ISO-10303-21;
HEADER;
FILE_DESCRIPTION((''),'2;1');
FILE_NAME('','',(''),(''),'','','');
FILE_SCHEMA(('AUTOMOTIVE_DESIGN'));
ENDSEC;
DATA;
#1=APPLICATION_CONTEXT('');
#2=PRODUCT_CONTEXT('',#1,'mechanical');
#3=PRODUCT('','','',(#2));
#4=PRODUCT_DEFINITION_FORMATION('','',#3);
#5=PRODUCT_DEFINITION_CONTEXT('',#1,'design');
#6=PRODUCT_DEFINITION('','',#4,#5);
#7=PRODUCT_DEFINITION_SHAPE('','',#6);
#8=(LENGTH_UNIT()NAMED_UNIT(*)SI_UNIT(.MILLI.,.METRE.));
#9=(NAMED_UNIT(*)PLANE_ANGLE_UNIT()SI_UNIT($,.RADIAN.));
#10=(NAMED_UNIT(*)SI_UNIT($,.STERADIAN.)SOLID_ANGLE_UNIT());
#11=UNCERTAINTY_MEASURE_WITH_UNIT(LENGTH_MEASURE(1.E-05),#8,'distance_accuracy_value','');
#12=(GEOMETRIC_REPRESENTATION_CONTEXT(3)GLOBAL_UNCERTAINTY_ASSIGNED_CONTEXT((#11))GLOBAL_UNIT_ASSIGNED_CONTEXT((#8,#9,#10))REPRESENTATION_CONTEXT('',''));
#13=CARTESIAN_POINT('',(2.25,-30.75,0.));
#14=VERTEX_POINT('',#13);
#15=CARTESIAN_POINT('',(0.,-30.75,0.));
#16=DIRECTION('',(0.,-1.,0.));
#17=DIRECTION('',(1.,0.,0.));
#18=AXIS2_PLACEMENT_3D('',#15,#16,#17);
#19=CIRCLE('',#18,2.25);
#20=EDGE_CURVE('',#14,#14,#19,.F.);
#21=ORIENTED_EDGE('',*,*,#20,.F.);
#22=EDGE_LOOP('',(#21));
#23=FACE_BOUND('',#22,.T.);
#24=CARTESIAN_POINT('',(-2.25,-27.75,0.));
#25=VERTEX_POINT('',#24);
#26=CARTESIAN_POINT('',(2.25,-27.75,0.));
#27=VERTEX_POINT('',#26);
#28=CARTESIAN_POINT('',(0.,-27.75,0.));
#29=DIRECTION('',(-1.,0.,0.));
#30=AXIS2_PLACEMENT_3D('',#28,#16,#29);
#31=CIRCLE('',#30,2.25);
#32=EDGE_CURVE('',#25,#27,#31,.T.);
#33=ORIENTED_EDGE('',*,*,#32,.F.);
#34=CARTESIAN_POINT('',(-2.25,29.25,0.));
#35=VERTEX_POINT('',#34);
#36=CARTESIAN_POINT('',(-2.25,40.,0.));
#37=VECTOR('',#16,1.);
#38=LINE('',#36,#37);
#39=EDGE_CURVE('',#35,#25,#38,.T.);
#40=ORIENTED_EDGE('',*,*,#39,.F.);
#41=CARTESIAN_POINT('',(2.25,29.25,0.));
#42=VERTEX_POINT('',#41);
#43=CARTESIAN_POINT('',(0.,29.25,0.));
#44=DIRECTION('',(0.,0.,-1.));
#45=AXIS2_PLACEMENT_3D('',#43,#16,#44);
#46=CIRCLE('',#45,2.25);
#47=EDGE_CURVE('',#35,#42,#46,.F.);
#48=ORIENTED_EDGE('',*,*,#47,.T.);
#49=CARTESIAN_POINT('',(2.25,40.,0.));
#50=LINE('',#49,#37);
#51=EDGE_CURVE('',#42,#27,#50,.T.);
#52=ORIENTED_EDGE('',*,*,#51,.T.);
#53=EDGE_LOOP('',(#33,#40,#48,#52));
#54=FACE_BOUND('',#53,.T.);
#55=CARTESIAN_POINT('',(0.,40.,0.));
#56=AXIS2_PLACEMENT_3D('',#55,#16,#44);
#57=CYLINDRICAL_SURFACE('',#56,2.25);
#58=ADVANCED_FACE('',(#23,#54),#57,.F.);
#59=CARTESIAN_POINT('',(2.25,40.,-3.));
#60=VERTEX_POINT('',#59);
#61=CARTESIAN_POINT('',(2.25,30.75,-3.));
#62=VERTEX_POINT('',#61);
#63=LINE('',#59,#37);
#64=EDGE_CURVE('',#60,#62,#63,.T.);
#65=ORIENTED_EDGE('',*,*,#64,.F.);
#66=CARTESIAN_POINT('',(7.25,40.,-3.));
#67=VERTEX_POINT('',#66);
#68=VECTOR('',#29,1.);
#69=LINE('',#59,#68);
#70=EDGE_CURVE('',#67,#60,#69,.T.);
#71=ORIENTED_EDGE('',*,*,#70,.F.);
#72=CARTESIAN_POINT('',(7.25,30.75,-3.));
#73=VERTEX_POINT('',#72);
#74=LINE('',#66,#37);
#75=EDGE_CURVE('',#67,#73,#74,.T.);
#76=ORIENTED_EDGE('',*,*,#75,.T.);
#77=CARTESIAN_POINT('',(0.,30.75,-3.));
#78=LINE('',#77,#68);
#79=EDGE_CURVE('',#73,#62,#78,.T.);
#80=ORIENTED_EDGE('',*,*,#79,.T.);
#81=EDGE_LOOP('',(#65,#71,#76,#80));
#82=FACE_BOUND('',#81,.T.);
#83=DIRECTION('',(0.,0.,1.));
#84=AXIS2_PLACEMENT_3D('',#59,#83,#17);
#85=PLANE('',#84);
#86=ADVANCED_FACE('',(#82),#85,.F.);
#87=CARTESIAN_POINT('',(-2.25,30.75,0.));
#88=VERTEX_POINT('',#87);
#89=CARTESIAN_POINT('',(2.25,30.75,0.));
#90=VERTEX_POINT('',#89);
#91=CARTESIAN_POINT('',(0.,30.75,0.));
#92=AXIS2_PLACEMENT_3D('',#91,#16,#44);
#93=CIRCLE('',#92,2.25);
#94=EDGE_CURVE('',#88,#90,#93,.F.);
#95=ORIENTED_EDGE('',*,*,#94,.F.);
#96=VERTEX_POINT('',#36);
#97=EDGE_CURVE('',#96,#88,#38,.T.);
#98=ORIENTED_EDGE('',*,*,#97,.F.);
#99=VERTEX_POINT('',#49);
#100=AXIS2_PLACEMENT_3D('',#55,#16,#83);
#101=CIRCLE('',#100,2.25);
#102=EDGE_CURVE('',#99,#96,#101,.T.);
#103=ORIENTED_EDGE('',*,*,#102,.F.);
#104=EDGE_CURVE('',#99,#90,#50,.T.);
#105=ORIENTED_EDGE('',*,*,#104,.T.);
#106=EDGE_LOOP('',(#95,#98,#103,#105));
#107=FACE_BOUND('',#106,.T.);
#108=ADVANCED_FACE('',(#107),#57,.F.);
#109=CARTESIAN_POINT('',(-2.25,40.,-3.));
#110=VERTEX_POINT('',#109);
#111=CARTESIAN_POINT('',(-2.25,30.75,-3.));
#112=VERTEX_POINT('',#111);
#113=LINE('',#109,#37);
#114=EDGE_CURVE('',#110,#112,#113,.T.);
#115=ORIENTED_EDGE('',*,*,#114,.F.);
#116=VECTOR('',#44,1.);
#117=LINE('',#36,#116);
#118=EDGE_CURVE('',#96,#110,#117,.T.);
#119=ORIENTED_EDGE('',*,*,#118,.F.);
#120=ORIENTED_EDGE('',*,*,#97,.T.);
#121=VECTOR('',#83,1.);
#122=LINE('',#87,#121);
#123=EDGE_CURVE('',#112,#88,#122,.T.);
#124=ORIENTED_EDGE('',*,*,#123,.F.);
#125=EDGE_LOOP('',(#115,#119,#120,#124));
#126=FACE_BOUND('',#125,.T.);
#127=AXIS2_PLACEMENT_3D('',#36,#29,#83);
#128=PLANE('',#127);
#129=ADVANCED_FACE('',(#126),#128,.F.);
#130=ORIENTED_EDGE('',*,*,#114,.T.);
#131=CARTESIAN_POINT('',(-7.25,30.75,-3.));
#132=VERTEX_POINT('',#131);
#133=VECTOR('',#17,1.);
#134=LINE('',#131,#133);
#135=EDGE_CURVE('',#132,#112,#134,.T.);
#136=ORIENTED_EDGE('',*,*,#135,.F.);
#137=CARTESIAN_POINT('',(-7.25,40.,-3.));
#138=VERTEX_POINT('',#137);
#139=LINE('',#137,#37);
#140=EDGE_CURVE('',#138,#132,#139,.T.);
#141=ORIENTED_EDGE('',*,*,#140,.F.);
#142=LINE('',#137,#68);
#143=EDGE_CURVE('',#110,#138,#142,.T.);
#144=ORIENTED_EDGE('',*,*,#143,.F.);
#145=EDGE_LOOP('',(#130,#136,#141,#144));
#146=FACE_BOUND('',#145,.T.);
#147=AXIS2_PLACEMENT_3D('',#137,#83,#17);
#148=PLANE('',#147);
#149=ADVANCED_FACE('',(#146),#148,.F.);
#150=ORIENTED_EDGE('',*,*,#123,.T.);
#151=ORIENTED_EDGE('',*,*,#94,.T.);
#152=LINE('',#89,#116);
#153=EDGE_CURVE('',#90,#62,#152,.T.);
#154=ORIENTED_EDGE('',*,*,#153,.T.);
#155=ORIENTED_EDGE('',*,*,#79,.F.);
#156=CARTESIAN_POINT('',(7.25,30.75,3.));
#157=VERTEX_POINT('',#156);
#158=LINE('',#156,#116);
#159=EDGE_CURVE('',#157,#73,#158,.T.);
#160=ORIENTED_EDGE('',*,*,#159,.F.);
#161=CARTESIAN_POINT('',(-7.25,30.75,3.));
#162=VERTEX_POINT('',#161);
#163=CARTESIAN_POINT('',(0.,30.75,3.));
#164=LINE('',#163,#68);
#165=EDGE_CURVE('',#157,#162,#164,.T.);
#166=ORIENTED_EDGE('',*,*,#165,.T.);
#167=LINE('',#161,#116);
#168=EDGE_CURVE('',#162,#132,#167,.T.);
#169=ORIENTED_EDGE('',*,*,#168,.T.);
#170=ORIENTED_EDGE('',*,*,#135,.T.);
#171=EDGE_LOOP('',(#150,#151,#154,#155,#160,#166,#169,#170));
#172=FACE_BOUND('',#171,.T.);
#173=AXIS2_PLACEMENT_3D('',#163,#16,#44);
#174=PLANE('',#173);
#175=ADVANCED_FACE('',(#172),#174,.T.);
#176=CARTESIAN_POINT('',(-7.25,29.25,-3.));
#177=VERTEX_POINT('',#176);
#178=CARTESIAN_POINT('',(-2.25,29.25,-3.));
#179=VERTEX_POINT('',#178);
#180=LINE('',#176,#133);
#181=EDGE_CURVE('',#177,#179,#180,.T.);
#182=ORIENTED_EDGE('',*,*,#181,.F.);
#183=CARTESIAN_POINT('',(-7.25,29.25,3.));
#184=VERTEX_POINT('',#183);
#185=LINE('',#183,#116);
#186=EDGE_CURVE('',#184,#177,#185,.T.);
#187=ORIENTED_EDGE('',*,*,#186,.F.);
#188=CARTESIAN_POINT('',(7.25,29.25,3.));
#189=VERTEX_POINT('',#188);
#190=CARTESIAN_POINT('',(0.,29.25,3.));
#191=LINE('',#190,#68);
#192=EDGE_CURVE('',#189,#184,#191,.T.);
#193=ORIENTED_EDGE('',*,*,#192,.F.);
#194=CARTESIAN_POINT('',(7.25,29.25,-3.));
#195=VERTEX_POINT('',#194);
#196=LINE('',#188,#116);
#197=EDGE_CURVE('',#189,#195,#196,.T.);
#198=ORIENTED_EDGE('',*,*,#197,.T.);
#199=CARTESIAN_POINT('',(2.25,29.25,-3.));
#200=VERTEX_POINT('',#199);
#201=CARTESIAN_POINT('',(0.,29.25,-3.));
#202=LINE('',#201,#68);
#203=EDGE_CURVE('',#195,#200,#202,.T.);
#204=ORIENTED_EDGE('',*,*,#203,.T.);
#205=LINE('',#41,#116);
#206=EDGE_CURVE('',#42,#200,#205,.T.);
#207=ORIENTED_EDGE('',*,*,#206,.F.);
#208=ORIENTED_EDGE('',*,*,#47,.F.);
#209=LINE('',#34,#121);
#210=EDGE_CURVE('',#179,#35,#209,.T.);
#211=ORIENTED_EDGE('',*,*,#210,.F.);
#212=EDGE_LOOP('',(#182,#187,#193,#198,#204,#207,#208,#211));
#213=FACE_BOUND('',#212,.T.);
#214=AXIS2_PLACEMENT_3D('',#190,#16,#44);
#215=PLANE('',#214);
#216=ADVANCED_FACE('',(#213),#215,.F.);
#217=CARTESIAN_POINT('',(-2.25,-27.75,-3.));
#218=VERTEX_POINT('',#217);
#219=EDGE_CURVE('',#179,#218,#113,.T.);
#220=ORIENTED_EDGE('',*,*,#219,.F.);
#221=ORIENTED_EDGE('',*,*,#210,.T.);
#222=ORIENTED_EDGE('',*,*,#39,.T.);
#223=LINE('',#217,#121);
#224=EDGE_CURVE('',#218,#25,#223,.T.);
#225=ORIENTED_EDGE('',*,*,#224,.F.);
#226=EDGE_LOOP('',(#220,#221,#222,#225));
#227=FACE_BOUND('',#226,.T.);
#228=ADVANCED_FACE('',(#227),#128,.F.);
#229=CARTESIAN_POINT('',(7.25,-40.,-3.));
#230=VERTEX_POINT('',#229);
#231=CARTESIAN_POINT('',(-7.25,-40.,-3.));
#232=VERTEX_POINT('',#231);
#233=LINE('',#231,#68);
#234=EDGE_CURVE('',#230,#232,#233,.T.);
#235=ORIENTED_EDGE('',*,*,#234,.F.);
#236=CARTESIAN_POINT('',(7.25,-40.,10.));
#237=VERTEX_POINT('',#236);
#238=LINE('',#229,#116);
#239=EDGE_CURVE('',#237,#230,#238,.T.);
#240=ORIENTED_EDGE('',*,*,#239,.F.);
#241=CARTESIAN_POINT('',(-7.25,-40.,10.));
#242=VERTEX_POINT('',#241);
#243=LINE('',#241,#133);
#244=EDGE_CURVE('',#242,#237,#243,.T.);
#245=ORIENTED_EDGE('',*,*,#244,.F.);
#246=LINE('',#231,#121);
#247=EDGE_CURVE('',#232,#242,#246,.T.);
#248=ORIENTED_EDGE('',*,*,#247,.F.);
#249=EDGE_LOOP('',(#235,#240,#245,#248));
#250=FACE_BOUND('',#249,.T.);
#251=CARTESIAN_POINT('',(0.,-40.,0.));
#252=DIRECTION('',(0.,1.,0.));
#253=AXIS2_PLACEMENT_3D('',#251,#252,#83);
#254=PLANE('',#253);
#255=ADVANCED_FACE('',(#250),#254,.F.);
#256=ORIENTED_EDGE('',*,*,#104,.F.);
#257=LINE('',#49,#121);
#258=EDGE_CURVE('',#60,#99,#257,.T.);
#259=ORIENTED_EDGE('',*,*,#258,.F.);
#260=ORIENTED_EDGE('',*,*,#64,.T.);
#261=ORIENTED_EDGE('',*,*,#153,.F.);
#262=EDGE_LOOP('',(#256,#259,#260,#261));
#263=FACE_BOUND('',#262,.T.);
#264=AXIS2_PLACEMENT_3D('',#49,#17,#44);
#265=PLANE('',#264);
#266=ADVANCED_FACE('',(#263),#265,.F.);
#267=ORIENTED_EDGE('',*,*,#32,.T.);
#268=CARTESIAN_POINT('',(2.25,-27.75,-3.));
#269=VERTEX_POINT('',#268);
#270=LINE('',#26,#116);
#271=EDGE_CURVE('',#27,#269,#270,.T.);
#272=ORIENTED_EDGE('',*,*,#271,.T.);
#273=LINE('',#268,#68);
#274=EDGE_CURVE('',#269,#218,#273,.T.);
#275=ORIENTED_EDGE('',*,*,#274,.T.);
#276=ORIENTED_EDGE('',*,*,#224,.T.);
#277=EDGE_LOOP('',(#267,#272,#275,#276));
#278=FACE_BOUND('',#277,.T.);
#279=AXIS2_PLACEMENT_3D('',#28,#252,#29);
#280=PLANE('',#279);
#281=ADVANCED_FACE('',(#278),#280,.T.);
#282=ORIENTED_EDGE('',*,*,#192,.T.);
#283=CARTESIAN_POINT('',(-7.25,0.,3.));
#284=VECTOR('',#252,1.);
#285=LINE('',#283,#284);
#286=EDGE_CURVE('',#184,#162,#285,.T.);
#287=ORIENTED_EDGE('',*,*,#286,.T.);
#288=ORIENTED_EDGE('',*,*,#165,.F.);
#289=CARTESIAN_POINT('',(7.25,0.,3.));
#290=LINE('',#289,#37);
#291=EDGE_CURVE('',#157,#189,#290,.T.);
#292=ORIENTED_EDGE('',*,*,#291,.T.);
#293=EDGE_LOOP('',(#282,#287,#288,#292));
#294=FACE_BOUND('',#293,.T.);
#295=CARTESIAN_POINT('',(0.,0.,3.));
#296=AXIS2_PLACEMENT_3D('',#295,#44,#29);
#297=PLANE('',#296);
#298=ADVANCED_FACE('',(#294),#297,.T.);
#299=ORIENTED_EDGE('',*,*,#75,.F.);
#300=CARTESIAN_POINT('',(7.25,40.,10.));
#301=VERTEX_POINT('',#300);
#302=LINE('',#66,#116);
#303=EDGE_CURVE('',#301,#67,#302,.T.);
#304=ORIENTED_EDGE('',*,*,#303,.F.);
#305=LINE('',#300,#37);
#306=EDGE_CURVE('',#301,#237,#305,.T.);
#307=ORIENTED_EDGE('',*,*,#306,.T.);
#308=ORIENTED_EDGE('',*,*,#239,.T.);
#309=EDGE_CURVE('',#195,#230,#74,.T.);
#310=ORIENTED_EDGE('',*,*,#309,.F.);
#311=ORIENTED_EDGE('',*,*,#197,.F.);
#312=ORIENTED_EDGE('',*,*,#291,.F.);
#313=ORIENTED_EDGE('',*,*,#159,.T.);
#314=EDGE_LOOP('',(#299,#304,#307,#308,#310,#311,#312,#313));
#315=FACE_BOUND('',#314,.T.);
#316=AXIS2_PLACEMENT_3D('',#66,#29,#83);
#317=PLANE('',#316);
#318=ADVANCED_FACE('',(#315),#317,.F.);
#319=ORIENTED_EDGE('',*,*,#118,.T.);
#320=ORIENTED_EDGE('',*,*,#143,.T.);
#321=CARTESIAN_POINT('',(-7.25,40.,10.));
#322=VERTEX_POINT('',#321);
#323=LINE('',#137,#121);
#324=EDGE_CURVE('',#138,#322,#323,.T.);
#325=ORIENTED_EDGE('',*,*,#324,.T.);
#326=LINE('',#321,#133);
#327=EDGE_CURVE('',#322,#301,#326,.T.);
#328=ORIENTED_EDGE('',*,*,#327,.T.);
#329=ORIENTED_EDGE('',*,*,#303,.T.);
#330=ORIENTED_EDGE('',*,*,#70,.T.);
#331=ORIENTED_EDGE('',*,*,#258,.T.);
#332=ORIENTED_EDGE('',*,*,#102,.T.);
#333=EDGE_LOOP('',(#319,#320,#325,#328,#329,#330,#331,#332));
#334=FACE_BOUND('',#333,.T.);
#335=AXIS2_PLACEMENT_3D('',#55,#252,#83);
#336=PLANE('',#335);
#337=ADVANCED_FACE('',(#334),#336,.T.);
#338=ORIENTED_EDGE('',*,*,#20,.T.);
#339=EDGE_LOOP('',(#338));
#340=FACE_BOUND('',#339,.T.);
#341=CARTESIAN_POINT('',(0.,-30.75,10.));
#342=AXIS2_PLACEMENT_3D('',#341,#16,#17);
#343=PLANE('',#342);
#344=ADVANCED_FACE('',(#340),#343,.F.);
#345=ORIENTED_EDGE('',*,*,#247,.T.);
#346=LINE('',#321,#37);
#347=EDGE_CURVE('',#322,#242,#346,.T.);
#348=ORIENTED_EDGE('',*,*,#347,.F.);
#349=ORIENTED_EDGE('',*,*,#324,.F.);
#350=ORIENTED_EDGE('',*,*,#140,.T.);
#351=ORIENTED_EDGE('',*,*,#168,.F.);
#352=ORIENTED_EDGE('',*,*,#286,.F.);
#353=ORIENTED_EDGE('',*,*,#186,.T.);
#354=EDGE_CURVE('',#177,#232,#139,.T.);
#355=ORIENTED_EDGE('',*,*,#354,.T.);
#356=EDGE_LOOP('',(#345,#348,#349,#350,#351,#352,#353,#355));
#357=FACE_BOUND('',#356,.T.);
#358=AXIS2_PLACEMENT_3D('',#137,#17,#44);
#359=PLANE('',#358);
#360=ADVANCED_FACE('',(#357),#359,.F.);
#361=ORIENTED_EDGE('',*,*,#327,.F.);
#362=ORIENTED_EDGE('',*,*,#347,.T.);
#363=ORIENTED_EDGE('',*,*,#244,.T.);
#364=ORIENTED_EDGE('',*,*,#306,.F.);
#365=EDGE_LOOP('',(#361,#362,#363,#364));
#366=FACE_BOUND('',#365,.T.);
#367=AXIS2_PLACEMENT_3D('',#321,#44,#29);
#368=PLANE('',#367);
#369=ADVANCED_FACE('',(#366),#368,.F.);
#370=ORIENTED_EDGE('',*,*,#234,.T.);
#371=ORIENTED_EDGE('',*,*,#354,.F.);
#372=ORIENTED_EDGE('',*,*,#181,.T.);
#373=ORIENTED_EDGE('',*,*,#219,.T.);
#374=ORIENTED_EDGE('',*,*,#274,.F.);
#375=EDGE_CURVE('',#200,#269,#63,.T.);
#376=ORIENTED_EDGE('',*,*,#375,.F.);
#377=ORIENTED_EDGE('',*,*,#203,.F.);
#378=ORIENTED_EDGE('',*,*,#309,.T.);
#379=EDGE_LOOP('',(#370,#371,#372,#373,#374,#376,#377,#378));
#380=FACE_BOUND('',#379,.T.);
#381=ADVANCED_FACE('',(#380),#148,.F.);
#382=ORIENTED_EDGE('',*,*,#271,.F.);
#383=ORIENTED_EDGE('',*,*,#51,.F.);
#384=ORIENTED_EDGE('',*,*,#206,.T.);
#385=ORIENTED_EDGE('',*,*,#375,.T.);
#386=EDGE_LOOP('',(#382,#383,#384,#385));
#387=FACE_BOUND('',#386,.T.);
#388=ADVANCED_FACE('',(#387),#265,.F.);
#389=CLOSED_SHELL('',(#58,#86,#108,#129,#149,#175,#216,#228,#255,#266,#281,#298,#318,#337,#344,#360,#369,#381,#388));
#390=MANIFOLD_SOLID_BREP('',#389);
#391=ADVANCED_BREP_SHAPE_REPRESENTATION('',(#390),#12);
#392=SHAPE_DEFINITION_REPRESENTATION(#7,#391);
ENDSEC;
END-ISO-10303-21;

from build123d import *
from build123d.topology import SkipClean

# Parameters (mm, degrees)
BOSS_EXTRUDE1_DEPTH = 40
SKETCH2_W           = 14.5
SKETCH2_H           = 1.5
CUT_EXTRUDE1_DEPTH  = 6
BOSS_EXTRUDE2_REACH = 44.68
SKETCH2_3_W         = 14.5
SKETCH2_3_H         = 9.25
BOSS_EXTRUDE3_START = 3
BOSS_EXTRUDE3_DEPTH = 3


with BuildPart() as part:
    # Sketch1 → Boss-Extrude1 (new, symmetric)
    with BuildSketch(Plane(origin=(0, 0, 0), x_dir=(1, 0, 0), z_dir=(0, 1, 0))):
        with BuildLine():
            Line((-7.25, 3), (-2.25, 3))
            Line((-2.25, 3), (-2.25, 0))
            ThreePointArc((-2.25, 0), (0, -2.25), (2.25, 0))
            Line((2.25, 0), (2.25, 3))
            Line((2.25, 3), (7.25, 3))
            Line((7.25, 3), (7.25, -10))
            Line((7.25, -10), (-7.25, -10))
            Line((-7.25, -10), (-7.25, 3))
        make_face()
    extrude(amount=BOSS_EXTRUDE1_DEPTH, both=True)

    # Sketch2 → Cut-Extrude1 (cut)
    with BuildSketch(Plane(origin=(0, 0, -3), x_dir=(-1, 0, 0), z_dir=(0, 0, -1))):
        with Locations((0, 30)):
            Rectangle(SKETCH2_W, SKETCH2_H)
    extrude(amount=-CUT_EXTRUDE1_DEPTH, mode=Mode.SUBTRACT)

    # Sketch2<3> → Boss-Extrude2 (add, up to next)
    with BuildSketch(Plane(origin=(0, 0, -3), x_dir=(-1, 0, 0), z_dir=(0, 0, -1)), mode=Mode.PRIVATE) as boss_extrude2_sk1:
        with Locations((0, -35.375)):
            Rectangle(SKETCH2_3_W, SKETCH2_3_H)
    boss_extrude2_tool1 = extrude(boss_extrude2_sk1.sketch, amount=-BOSS_EXTRUDE2_REACH, mode=Mode.PRIVATE) - part.part
    add(boss_extrude2_tool1.solids().sort_by_distance((0, -35.375, -3))[0])

    # Sketch3 → Boss-Extrude3 (add)
    with SkipClean():  # the faces are left unmerged after this step: merging them gives an invalid solid
        with BuildSketch(Plane(origin=(0, -30.75, 0), x_dir=(1, 0, 0), z_dir=(0, 1, 0)).offset(BOSS_EXTRUDE3_START)):
            with BuildLine():
                Line((2.25, 0), (2.25, 3))
                Line((2.25, 3), (-2.25, 3))
                Line((-2.25, 3), (-2.25, 0))
                ThreePointArc((-2.25, 0), (0, 2.25), (2.25, 0))
            make_face()
        extrude(amount=-BOSS_EXTRUDE3_DEPTH)


solid = part.part
